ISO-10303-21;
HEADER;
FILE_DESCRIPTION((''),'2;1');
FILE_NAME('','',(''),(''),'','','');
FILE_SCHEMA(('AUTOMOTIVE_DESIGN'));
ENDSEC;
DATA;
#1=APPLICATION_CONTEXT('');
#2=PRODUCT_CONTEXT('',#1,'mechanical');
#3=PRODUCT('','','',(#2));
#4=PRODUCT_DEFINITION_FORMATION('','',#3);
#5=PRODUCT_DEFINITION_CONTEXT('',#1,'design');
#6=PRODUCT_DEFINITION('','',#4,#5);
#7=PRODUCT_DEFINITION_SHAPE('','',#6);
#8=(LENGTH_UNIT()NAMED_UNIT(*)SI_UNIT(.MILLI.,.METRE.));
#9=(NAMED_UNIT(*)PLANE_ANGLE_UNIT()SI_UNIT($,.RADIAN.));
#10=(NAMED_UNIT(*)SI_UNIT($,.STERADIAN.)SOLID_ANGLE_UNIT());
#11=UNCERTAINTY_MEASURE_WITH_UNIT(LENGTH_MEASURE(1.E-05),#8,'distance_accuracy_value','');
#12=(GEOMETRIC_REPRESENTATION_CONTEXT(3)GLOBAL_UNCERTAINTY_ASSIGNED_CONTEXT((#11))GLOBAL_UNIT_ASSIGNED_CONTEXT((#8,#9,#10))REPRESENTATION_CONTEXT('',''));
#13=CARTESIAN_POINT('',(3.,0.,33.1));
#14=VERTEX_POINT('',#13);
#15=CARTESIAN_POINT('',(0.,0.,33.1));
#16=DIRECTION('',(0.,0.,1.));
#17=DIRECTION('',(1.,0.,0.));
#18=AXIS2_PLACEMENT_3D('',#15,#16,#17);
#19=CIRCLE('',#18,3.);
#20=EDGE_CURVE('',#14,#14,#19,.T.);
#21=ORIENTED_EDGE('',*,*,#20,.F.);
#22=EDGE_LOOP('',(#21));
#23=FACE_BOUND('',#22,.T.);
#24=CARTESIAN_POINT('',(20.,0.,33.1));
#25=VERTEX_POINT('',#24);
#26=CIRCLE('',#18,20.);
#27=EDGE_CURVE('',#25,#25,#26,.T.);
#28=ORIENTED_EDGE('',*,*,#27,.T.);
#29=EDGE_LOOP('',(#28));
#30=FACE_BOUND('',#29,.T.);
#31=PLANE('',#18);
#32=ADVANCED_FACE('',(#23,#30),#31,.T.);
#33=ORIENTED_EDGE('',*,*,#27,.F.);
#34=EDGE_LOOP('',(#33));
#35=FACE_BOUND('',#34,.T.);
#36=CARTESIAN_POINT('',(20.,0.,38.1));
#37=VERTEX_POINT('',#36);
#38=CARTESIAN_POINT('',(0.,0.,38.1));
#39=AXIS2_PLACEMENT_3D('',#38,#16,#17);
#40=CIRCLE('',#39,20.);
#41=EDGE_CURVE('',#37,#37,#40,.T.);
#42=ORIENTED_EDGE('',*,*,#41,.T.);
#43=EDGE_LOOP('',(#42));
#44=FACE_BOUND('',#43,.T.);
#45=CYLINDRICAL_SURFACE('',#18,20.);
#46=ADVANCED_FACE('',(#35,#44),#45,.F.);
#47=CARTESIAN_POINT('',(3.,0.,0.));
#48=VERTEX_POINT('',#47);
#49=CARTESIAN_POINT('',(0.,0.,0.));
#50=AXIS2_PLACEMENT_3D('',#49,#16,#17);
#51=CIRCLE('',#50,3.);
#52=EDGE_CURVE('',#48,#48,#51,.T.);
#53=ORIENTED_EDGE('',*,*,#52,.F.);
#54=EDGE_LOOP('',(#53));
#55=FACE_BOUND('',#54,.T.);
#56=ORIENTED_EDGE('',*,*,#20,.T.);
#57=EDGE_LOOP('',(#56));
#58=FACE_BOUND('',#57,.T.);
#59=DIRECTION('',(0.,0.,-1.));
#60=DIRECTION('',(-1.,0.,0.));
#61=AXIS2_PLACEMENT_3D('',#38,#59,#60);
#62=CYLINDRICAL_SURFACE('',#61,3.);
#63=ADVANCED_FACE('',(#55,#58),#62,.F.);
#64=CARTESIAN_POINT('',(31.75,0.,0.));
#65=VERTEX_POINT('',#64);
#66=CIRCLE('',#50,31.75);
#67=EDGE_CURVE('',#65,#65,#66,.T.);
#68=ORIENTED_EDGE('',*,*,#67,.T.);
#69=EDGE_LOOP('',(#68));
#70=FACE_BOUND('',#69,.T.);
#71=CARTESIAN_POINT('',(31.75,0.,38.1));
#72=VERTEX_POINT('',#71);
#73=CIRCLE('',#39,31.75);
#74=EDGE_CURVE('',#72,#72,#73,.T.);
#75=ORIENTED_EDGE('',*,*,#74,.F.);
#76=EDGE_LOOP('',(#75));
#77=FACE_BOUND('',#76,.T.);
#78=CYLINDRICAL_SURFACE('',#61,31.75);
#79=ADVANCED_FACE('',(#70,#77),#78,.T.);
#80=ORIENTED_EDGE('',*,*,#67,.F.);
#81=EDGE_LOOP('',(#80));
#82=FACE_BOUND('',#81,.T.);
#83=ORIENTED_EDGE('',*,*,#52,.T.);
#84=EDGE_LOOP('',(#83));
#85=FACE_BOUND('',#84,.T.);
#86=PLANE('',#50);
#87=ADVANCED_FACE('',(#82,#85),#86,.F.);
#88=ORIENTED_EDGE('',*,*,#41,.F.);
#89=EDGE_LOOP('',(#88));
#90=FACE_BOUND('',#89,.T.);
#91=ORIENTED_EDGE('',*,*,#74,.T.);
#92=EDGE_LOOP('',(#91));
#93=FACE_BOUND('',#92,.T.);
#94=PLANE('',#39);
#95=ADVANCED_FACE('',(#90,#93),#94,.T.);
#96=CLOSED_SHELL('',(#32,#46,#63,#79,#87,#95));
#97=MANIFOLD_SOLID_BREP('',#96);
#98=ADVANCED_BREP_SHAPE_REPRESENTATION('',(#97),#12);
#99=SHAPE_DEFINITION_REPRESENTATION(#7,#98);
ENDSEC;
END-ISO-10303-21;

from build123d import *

# Parameters (mm, degrees)
ESQUISSE1_R             = 31.75
ESQUISSE1_R_2           = 3
BOSS_EXTRU_1_DEPTH      = 38.1
ESQUISSE2_R             = 20
ENL_V_MAT_EXTRU_1_DEPTH = 5


with BuildPart() as part:
    # Esquisse1 → Boss.-Extru.1 (new body)
    with BuildSketch(Plane.XY):
        Circle(ESQUISSE1_R)
        Circle(ESQUISSE1_R_2, mode=Mode.SUBTRACT)
    extrude(amount=BOSS_EXTRU_1_DEPTH)

    # Esquisse2 → Enlèv. mat.-Extru.1 (cut)
    with BuildSketch(Plane.XY.offset(38.1)):
        Circle(ESQUISSE2_R)
    extrude(amount=-ENL_V_MAT_EXTRU_1_DEPTH, mode=Mode.SUBTRACT)


solid = part.part
